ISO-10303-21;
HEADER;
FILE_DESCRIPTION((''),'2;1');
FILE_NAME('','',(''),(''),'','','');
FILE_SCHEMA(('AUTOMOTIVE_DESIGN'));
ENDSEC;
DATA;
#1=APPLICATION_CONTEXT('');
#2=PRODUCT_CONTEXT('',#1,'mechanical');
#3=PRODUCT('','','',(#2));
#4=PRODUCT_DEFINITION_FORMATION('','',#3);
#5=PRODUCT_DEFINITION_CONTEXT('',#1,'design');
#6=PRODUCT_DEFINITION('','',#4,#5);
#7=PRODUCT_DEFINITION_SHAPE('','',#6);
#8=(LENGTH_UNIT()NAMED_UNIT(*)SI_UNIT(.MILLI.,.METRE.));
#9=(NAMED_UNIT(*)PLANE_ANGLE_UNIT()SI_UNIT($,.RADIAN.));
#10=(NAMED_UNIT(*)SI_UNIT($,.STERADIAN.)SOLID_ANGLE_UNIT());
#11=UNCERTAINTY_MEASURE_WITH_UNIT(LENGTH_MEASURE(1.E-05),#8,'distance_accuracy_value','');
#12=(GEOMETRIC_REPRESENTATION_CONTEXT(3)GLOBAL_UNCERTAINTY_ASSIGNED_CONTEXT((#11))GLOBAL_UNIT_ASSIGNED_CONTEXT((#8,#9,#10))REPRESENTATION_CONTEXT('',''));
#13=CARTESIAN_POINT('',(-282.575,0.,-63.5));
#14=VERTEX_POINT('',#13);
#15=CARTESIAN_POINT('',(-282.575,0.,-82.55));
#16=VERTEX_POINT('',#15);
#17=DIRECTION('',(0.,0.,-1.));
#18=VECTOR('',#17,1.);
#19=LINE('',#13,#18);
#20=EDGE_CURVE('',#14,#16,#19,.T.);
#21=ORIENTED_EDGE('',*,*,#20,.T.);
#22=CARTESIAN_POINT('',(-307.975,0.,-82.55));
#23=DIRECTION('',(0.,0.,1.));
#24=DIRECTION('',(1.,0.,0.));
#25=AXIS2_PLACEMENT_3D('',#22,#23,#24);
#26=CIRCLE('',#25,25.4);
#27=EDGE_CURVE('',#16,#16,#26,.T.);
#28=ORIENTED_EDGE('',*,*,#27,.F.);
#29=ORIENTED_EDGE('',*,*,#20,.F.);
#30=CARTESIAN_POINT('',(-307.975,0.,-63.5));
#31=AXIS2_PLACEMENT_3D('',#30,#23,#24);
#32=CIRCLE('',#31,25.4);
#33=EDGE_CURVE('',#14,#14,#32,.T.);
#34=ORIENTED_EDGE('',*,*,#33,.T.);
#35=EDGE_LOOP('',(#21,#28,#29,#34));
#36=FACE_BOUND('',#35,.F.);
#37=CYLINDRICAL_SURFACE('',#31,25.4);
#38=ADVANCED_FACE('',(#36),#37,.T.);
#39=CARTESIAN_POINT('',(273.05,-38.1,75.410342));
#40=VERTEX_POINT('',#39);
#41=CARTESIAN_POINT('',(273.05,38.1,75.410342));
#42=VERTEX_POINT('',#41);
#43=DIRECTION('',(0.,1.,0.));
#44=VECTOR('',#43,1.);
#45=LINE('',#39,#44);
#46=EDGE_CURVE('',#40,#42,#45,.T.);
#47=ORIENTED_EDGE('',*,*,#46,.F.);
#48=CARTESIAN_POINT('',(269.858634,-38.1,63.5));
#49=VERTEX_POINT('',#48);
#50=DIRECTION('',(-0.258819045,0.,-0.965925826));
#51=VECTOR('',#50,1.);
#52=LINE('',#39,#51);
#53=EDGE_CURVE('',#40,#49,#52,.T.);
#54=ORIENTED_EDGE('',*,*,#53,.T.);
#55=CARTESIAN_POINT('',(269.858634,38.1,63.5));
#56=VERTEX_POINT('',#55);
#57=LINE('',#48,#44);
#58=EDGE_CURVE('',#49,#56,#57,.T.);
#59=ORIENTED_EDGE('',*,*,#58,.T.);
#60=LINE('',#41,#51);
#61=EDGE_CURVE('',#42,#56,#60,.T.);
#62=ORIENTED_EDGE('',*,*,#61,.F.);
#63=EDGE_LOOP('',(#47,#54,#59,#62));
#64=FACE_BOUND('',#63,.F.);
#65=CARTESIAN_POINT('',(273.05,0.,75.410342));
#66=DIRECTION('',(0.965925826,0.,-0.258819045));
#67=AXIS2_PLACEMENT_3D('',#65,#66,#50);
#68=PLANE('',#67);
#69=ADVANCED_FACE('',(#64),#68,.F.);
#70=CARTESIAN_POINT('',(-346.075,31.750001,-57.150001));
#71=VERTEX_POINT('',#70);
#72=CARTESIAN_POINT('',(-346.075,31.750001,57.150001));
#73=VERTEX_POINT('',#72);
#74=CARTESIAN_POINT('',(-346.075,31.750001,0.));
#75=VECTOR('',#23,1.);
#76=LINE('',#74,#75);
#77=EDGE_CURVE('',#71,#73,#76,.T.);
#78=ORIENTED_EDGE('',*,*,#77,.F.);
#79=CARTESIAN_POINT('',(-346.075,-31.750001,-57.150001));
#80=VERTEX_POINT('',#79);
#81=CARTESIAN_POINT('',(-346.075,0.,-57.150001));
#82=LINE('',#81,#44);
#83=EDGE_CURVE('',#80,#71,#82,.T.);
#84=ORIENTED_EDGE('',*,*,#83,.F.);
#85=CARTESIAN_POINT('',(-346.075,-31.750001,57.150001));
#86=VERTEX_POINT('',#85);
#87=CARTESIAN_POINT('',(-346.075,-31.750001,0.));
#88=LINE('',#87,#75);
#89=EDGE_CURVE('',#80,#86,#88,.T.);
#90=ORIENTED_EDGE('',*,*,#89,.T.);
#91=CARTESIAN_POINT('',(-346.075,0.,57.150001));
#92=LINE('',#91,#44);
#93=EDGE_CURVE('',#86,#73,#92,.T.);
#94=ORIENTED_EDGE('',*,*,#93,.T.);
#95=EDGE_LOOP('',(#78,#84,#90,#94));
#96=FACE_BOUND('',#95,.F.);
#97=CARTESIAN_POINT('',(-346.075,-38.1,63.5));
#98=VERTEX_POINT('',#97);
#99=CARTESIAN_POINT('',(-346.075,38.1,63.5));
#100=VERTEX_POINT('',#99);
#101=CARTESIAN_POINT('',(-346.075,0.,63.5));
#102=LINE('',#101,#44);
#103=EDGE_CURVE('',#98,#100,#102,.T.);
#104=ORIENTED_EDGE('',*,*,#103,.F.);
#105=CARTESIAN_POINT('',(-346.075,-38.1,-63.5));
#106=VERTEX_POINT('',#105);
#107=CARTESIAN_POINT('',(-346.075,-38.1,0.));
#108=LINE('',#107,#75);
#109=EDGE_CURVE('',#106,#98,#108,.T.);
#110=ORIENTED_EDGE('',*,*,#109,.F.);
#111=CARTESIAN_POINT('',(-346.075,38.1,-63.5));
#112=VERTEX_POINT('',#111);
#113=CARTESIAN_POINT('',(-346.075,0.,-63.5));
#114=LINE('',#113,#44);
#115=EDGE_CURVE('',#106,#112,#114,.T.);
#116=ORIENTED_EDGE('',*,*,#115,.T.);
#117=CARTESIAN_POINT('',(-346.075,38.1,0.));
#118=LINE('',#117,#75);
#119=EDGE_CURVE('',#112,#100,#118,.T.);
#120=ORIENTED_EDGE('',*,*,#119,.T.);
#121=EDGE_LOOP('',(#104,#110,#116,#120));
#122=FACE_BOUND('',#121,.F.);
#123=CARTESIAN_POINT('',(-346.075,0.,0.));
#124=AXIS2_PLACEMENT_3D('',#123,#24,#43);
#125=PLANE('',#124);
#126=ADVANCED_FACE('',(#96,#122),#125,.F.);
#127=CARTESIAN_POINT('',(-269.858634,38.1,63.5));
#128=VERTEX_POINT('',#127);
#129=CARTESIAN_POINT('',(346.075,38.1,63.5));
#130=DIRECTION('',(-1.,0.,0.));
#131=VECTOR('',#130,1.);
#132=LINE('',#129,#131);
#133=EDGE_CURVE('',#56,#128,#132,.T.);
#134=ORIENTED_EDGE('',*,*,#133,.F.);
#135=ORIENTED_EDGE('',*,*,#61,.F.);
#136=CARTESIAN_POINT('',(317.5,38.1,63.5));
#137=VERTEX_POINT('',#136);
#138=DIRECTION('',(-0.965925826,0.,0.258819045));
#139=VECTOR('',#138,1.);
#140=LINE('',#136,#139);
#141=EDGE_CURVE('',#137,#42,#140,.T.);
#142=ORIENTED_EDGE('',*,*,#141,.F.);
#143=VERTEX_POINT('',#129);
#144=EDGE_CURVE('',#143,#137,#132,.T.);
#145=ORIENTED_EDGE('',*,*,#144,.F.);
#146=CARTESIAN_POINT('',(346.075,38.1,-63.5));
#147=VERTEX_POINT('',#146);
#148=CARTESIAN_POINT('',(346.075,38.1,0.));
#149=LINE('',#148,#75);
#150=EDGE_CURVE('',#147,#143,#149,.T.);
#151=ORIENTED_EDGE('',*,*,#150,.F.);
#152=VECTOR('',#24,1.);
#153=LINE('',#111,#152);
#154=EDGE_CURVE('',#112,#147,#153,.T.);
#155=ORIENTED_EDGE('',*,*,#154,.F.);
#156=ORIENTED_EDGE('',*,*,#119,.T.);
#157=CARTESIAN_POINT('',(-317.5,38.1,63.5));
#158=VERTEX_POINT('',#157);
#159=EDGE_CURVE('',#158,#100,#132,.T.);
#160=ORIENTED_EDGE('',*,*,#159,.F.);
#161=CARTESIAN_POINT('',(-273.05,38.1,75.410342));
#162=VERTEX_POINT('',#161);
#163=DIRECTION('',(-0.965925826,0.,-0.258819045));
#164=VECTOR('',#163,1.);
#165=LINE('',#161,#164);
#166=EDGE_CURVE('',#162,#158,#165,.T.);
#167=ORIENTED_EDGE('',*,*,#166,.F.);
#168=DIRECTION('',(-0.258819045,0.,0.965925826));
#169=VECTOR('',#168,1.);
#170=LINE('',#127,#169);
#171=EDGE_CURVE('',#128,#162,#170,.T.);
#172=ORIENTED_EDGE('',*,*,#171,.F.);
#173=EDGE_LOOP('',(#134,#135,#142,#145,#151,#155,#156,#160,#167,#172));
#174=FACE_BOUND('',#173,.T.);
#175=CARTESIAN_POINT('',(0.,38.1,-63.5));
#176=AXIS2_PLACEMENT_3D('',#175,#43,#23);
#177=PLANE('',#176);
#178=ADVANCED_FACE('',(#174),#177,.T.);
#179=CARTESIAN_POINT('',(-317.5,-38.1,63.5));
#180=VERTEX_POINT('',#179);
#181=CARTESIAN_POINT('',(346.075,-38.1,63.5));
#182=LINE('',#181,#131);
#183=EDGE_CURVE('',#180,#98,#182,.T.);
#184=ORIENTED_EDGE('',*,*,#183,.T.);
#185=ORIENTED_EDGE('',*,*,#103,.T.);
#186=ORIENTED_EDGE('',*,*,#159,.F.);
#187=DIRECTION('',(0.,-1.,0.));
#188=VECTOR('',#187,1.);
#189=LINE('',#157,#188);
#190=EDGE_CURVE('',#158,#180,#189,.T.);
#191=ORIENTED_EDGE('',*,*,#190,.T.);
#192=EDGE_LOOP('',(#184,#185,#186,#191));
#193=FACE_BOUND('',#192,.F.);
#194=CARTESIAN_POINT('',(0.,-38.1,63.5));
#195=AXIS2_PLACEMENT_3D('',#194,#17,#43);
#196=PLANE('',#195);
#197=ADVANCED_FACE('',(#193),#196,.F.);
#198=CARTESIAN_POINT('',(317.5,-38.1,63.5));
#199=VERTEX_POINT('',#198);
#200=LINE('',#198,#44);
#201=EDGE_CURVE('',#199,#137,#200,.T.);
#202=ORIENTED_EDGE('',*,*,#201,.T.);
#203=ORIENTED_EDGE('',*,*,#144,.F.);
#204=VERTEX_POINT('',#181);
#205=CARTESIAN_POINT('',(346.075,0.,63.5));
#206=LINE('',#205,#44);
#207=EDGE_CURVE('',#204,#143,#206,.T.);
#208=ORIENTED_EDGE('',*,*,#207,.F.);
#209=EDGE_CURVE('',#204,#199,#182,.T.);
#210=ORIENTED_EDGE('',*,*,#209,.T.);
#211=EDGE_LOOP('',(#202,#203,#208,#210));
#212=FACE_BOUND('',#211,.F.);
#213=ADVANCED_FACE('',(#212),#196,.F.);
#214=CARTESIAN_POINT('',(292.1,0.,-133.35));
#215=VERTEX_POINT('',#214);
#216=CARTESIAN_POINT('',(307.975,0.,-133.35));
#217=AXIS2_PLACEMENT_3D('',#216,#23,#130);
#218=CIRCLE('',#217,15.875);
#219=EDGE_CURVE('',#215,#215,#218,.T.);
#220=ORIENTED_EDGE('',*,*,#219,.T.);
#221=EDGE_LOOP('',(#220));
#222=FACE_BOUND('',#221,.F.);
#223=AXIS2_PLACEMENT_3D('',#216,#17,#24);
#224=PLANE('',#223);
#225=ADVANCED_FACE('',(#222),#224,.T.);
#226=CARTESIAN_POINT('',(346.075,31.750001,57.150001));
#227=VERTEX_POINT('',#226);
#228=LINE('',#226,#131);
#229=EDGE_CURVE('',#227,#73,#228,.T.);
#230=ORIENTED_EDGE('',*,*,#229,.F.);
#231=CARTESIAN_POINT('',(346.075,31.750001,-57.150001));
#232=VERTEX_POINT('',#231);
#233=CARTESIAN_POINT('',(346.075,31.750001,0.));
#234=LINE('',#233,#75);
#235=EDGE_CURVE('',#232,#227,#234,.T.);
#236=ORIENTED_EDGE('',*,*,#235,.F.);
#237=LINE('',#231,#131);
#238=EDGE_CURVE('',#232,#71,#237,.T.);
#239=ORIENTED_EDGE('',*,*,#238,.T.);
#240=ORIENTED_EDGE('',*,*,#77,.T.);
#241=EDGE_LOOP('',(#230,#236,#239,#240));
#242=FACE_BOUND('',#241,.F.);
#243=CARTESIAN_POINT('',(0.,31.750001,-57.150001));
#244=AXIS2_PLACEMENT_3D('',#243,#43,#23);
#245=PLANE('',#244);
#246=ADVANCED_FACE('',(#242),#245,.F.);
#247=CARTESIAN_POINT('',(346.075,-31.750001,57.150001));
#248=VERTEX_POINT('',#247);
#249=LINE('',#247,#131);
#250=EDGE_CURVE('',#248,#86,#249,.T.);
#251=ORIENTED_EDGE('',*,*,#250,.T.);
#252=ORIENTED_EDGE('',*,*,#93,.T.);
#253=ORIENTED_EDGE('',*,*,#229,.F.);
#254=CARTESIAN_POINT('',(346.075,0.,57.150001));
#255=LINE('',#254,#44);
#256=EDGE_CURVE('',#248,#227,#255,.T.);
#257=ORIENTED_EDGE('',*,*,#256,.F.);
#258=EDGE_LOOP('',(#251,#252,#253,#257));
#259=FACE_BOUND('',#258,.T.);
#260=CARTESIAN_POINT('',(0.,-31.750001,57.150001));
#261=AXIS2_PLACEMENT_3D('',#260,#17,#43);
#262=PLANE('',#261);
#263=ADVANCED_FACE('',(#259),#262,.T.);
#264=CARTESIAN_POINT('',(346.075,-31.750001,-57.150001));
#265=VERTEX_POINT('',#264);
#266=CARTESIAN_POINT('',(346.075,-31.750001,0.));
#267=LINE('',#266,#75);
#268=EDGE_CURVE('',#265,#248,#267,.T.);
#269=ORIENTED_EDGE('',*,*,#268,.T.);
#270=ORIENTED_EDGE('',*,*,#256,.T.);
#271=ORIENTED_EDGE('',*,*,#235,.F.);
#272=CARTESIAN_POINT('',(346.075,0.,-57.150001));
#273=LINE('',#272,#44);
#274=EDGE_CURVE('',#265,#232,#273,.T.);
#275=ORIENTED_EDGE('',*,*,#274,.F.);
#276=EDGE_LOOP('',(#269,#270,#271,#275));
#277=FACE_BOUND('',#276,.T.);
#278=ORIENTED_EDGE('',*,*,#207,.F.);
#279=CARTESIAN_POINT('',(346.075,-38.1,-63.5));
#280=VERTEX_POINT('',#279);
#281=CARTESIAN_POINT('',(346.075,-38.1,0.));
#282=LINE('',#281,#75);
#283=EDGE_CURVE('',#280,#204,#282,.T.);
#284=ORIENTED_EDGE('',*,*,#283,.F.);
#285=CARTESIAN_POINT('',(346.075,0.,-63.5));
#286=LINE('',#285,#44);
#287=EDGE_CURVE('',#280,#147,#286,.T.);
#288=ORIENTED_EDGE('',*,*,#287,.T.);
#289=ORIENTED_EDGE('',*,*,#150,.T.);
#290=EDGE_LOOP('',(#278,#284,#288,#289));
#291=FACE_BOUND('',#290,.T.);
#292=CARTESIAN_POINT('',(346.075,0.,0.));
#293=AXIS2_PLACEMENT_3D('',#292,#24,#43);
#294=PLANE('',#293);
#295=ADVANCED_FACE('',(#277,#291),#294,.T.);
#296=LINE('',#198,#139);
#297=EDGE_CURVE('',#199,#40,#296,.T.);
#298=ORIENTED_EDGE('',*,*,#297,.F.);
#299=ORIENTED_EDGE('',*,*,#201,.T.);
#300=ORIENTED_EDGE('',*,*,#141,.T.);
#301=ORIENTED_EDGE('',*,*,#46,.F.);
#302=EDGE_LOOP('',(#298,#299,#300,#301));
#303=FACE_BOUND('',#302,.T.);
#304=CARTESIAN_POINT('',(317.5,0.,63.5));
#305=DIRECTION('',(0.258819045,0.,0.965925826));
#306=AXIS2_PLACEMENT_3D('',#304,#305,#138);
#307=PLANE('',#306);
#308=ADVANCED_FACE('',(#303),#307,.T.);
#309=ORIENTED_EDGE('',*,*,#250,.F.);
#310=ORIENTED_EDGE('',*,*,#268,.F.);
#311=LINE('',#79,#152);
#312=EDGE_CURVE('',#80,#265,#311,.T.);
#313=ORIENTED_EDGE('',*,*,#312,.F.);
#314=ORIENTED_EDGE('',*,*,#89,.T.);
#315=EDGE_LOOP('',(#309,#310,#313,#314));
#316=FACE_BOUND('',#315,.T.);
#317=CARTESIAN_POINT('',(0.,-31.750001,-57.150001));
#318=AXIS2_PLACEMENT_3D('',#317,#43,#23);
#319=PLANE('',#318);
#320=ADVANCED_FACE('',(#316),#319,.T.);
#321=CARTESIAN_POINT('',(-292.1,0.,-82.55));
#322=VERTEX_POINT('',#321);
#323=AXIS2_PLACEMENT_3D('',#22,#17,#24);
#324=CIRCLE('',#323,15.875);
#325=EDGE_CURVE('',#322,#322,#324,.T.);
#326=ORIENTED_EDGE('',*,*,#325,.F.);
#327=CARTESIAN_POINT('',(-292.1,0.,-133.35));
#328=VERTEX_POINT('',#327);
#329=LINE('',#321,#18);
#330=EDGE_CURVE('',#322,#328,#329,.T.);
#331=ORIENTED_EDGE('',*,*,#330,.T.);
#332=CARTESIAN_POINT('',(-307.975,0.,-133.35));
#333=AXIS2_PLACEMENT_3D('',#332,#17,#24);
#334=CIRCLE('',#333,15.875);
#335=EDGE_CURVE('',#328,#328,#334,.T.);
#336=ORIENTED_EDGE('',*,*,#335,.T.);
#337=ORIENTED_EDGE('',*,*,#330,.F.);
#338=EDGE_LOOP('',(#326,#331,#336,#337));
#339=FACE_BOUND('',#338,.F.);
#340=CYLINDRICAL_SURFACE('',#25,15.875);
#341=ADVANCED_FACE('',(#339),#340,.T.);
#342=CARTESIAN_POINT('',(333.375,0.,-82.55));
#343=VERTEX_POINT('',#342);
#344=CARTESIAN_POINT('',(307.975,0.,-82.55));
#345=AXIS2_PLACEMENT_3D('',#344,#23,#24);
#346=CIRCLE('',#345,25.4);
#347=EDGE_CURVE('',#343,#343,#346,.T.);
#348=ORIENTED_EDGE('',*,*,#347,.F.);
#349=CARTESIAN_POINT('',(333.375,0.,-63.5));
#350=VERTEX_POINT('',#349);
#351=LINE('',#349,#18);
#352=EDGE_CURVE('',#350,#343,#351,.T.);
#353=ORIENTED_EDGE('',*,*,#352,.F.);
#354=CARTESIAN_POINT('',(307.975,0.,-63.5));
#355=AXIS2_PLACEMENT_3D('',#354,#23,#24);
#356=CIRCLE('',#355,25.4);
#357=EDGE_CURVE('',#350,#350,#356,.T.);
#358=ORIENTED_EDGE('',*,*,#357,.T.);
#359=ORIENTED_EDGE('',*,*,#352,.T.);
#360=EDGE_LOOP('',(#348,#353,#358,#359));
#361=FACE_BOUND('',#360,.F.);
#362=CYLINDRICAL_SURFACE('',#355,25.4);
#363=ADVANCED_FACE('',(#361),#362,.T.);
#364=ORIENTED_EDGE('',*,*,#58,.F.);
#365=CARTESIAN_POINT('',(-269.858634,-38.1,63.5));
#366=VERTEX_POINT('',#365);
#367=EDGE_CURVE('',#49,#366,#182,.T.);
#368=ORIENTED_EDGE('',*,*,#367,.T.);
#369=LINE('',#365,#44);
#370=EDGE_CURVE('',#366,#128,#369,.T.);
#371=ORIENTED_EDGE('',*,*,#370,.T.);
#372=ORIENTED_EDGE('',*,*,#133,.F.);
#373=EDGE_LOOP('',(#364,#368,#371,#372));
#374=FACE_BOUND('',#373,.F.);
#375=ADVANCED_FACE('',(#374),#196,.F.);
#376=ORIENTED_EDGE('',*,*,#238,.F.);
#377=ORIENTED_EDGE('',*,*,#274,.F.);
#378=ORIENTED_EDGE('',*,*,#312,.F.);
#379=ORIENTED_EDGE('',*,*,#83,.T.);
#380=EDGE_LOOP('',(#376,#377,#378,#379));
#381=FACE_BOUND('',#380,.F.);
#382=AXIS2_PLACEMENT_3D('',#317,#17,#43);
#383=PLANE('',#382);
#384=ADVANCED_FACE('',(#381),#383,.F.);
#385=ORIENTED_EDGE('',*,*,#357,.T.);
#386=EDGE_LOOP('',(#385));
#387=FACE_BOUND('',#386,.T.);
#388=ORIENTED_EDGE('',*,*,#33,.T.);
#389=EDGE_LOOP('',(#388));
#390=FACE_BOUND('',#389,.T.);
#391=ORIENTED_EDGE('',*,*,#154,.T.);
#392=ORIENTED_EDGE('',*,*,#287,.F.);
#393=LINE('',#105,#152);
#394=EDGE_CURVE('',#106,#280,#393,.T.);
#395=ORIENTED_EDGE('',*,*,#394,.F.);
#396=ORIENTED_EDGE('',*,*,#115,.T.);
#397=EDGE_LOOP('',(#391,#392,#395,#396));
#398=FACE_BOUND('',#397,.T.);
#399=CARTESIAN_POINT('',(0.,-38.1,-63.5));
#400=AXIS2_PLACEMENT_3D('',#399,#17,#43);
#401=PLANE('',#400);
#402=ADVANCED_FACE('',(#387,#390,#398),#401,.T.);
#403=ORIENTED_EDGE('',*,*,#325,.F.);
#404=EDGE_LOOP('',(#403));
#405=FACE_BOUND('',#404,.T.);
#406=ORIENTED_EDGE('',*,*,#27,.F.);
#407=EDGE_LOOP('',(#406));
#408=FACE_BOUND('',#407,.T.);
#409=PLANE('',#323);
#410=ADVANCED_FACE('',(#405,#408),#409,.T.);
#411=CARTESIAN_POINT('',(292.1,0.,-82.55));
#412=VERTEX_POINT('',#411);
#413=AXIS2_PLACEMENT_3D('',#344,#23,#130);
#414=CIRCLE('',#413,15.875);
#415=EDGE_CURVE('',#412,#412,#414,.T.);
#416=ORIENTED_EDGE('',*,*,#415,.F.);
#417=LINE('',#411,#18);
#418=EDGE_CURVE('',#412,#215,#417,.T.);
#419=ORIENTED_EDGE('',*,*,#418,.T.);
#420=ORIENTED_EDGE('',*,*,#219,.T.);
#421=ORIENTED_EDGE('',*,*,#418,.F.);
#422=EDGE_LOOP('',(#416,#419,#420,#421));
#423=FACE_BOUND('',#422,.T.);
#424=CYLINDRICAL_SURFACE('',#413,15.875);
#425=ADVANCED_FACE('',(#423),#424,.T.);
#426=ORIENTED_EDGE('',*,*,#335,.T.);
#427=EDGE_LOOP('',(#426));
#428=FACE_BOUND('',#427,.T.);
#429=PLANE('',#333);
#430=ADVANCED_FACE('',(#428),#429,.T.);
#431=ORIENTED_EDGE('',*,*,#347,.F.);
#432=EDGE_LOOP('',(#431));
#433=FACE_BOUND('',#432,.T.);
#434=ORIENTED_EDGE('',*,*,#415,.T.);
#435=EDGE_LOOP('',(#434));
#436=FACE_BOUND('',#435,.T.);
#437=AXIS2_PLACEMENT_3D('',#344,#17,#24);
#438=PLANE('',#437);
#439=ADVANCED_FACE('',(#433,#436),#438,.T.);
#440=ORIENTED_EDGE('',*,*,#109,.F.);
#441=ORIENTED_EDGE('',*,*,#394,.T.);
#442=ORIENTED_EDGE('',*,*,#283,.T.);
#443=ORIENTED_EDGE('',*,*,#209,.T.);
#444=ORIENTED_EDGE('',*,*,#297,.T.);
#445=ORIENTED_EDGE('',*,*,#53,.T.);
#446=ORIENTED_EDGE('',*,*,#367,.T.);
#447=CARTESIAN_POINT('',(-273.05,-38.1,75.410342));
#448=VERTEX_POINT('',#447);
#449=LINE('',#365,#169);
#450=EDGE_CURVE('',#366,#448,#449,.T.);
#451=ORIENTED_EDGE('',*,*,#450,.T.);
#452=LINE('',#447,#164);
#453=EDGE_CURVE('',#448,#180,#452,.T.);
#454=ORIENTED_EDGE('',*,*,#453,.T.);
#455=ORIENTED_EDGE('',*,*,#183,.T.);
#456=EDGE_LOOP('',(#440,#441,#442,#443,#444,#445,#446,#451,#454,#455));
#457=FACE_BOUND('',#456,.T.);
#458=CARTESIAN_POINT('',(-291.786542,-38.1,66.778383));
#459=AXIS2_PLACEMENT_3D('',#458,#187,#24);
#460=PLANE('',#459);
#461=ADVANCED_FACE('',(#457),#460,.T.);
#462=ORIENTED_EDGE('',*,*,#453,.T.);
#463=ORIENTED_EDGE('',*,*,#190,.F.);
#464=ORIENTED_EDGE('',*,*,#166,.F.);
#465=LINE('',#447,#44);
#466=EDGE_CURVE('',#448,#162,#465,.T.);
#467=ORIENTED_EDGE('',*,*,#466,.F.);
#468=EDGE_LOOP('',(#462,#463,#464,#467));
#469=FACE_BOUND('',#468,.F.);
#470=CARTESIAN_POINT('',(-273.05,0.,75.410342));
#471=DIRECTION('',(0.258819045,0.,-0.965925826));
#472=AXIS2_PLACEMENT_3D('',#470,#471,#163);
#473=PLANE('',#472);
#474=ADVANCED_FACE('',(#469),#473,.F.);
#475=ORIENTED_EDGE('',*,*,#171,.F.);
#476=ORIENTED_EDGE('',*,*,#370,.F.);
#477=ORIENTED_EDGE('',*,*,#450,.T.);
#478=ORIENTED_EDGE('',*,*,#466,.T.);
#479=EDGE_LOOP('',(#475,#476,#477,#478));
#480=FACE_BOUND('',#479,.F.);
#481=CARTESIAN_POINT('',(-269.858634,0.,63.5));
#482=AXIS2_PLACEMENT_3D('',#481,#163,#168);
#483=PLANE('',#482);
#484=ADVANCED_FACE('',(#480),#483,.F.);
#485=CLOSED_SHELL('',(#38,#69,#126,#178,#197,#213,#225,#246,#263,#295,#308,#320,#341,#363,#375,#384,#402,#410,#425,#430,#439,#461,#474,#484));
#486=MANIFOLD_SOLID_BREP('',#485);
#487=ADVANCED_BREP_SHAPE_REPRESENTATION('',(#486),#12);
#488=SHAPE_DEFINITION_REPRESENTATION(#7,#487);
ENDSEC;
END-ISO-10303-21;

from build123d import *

# Parameters (mm, degrees)
F0_W          = 76.2
F0_H          = 127
F0_W_2        = 63.5000020266
F0_H_2        = 114.3000020266
F1_DEPTH      = 346.075
F2_R          = 25.4
F3_DEPTH      = 19.05
F5_DEPTH      = 38.1
F5_DEPTH_BACK = 38.1
F6_R          = 15.875
F7_DEPTH      = 50.8


with BuildPart() as f1:
    # F0 (on Right) → F1 (new body, symmetric)
    with BuildSketch(Plane.YZ):
        Rectangle(F0_W, F0_H)
        Rectangle(F0_W_2, F0_H_2, mode=Mode.SUBTRACT)
    extrude(amount=F1_DEPTH, both=True)

    # F2 (on face) → F3 (join)
    with BuildSketch(Plane(origin=(0, 0, -63.5), x_dir=(1, 0, 0), z_dir=(0, 0, -1))):
        with Locations((-307.975, 0)):
            Circle(F2_R)
        with Locations((307.975, 0)):
            Circle(F2_R)
    extrude(amount=F3_DEPTH)

    # F4 (on Front) → F5 (join, two sides)
    with BuildSketch(Plane.XZ) as f5_sk:
        Polygon((-273.05, 75.4103416036), (-317.5, 63.5), (-273.05, 63.5), (-269.8586335857, 63.5), align=None)
        Polygon((269.8586335857, 63.5), (273.05, 63.5), (317.5, 63.5), (273.05, 75.4103416036), align=None)
    extrude(amount=-F5_DEPTH)
    extrude(f5_sk.sketch, amount=F5_DEPTH_BACK)

    # F6 (on face) → F7 (join)
    with BuildSketch(Plane(origin=(0, 0, -82.55), x_dir=(1, 0, 0), z_dir=(0, 0, -1))):
        with Locations((-307.975, 0)):
            Circle(F6_R)
    extrude(amount=F7_DEPTH)

    # F8: F1 across plane


with BuildPart() as f1_1:
    add(f1.part)
    add(f1.part.mirror(Plane.YZ))


solid = f1_1.part
